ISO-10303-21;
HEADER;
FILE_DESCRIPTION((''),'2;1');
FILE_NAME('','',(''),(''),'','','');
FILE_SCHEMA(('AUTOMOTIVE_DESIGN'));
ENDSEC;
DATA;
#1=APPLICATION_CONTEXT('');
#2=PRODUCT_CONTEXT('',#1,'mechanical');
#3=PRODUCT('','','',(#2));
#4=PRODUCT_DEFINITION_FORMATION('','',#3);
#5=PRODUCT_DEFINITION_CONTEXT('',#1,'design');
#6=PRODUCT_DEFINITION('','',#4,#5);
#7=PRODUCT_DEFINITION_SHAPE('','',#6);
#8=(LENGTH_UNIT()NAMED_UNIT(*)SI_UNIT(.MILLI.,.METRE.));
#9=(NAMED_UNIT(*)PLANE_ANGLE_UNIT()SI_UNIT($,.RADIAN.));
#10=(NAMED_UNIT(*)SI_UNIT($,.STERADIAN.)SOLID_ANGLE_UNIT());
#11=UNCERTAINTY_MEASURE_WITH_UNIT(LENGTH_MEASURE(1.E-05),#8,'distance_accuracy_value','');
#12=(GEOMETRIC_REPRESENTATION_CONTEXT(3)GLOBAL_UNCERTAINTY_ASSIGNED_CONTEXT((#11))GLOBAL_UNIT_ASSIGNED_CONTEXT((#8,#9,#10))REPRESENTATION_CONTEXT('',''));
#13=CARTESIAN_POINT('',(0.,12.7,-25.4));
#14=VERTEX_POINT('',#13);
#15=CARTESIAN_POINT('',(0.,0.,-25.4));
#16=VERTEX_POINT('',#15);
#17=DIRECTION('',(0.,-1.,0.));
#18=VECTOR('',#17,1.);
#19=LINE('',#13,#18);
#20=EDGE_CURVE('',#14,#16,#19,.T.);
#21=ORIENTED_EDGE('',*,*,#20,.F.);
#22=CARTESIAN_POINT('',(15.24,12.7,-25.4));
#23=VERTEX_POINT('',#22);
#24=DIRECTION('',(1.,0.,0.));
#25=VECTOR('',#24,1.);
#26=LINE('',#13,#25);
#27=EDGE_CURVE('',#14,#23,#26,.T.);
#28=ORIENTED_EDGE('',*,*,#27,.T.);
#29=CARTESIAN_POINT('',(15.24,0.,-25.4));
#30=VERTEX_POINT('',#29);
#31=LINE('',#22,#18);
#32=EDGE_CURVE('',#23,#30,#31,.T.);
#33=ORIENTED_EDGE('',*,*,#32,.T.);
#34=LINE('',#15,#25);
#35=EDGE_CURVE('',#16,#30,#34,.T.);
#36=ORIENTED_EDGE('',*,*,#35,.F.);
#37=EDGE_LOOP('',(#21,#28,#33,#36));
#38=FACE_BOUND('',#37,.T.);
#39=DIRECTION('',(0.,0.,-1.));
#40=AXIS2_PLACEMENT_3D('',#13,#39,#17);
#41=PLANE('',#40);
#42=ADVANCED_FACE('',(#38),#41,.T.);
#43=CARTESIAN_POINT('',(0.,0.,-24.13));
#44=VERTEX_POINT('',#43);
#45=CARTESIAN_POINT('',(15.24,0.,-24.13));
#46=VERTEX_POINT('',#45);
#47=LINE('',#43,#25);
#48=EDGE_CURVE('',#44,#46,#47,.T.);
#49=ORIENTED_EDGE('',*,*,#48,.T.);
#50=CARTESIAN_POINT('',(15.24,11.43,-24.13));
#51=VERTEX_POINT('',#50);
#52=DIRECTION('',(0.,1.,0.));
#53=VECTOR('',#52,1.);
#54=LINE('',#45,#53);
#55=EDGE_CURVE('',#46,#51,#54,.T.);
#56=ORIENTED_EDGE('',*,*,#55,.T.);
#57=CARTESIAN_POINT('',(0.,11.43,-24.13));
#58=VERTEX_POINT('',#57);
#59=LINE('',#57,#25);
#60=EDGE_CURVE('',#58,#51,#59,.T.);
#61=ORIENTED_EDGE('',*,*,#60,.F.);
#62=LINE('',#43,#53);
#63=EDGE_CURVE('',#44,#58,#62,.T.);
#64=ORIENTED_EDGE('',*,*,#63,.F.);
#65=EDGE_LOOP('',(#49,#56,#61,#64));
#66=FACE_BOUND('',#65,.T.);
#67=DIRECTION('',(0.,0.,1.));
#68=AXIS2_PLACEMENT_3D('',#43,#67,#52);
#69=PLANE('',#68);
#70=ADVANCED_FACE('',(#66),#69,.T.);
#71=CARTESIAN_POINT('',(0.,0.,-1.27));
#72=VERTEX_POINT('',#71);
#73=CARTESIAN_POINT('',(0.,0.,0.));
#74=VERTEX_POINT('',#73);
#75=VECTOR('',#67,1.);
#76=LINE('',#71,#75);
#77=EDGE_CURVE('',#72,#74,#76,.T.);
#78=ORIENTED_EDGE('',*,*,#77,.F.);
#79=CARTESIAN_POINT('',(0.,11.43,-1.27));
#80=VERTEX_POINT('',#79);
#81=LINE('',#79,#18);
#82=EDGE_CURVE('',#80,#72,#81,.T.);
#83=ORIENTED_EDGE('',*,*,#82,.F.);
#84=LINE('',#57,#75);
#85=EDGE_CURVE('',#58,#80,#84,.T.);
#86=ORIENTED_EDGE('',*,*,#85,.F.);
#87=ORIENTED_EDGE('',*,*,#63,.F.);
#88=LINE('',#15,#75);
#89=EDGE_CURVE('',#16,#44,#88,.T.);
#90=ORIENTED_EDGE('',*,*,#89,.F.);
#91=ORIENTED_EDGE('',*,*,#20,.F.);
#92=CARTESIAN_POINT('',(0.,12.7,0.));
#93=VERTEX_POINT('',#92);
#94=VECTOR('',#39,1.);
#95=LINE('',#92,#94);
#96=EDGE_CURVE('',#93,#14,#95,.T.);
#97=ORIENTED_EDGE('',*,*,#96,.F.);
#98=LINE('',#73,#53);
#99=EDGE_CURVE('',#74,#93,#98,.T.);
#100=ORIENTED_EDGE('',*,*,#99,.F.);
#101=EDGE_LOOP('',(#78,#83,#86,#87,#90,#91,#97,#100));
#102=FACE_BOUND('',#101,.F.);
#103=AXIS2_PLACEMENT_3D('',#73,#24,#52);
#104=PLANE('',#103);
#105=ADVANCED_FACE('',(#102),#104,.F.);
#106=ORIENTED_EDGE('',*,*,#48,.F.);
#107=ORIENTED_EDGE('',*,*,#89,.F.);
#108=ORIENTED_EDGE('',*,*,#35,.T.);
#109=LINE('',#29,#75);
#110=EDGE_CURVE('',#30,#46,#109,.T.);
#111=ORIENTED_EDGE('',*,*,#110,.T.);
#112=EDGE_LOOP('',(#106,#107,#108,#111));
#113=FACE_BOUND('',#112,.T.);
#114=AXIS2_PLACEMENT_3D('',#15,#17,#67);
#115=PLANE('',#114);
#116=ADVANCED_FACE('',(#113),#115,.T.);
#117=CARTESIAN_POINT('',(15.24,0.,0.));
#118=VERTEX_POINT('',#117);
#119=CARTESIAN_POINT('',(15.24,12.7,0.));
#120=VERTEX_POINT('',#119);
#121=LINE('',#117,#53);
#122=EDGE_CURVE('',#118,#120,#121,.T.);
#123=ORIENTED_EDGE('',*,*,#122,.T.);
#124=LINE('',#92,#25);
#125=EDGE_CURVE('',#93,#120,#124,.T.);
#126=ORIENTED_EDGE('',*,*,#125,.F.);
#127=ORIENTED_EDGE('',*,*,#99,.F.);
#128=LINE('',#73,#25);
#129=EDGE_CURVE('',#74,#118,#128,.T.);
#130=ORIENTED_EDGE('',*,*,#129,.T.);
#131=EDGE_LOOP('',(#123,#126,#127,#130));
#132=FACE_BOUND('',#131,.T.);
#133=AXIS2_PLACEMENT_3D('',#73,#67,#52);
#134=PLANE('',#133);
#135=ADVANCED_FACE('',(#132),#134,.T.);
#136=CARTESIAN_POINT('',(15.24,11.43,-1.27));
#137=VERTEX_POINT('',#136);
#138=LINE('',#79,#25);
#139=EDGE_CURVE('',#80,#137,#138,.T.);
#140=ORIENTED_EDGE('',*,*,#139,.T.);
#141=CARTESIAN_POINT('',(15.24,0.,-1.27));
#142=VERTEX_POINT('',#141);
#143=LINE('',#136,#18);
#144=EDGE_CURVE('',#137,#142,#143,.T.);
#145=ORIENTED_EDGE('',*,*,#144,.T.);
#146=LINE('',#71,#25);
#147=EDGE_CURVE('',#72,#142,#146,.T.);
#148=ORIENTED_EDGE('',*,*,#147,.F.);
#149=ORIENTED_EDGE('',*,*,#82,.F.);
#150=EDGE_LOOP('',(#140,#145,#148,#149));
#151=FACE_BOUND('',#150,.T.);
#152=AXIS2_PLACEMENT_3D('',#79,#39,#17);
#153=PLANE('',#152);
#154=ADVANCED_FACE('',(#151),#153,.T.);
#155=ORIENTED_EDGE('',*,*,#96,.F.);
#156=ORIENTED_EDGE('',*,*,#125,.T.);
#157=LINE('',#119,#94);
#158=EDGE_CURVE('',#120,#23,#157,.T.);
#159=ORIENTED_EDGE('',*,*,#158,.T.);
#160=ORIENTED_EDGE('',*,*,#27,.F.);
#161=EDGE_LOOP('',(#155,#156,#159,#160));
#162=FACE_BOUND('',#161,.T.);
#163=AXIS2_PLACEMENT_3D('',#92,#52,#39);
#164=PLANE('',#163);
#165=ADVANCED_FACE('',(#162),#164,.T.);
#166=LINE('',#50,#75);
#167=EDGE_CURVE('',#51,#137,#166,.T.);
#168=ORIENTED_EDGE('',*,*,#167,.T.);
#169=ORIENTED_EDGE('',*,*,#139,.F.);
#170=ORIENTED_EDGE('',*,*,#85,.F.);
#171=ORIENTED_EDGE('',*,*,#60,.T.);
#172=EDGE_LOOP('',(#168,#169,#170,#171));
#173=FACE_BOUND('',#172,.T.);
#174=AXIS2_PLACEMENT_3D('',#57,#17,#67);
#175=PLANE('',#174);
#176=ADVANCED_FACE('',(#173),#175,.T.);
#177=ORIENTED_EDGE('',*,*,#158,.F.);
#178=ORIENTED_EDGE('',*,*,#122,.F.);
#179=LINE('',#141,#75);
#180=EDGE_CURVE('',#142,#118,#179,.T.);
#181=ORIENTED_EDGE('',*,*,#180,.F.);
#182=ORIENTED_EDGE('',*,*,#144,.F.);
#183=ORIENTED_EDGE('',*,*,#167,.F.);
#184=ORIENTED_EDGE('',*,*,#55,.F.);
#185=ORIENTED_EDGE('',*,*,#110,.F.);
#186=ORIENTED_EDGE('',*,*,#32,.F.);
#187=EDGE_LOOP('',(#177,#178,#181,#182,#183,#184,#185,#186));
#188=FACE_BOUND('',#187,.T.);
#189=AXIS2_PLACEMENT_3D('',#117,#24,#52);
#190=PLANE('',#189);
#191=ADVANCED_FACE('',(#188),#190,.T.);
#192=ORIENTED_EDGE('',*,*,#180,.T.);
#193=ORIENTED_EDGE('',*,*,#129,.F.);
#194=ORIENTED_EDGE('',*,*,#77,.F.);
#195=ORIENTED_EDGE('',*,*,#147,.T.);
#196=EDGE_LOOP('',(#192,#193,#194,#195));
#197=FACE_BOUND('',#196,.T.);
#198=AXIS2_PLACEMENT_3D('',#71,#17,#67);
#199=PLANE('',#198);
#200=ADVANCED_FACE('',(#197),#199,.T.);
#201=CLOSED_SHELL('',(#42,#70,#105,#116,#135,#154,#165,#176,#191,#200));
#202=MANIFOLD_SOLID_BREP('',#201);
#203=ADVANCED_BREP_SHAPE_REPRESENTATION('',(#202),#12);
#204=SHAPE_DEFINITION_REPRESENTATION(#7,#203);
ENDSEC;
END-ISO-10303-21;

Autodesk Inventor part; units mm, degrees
ref_plane "YZ Plane" through (0, 0, 0) normal (1, 0, 0) x (0, 1, 0)
ref_plane "XZ Plane" through (0, 0, 0) normal (0, 1, 0) x (-1, 0, 0)
ref_plane "XY Plane" through (0, 0, 0) normal (0, 0, 1) x (1, 0, 0)
sketch "Sketch1" plane through (0, 0, 0) normal (1, 0, 0) x (0, 1, 0)
  line L0 (0, 0) -> (12.7, 0)
  line L1 (12.7, 0) -> (12.7, -25.4)
  line L2 (12.7, -25.4) -> (0, -25.4)
  line L3 (0, -25.4) -> (0, -24.13)
  line L4 (0, -24.13) -> (11.43, -24.13)
  line L5 (11.43, -24.13) -> (11.43, -1.27)
  line L6 (11.43, -1.27) -> (0, -1.27)
  line L7 (0, -1.27) -> (0, 0)
  line L8 (5.715, 0) -> (5.715, -1.27) construction
  line L9 (12.7, -12.7) -> (11.43, -12.7) construction
  line L10 (6.35, -25.4) -> (6.35, -24.13) construction
  dimension "d0" = 25.4
  dimension "d1" = 1.27
  dimension "d2" = 12.7
extrude "Extrusion1" add sketch "Sketch1" along normal blind 15.24
properties part number "Table" material "PC/ABS Plastic"
